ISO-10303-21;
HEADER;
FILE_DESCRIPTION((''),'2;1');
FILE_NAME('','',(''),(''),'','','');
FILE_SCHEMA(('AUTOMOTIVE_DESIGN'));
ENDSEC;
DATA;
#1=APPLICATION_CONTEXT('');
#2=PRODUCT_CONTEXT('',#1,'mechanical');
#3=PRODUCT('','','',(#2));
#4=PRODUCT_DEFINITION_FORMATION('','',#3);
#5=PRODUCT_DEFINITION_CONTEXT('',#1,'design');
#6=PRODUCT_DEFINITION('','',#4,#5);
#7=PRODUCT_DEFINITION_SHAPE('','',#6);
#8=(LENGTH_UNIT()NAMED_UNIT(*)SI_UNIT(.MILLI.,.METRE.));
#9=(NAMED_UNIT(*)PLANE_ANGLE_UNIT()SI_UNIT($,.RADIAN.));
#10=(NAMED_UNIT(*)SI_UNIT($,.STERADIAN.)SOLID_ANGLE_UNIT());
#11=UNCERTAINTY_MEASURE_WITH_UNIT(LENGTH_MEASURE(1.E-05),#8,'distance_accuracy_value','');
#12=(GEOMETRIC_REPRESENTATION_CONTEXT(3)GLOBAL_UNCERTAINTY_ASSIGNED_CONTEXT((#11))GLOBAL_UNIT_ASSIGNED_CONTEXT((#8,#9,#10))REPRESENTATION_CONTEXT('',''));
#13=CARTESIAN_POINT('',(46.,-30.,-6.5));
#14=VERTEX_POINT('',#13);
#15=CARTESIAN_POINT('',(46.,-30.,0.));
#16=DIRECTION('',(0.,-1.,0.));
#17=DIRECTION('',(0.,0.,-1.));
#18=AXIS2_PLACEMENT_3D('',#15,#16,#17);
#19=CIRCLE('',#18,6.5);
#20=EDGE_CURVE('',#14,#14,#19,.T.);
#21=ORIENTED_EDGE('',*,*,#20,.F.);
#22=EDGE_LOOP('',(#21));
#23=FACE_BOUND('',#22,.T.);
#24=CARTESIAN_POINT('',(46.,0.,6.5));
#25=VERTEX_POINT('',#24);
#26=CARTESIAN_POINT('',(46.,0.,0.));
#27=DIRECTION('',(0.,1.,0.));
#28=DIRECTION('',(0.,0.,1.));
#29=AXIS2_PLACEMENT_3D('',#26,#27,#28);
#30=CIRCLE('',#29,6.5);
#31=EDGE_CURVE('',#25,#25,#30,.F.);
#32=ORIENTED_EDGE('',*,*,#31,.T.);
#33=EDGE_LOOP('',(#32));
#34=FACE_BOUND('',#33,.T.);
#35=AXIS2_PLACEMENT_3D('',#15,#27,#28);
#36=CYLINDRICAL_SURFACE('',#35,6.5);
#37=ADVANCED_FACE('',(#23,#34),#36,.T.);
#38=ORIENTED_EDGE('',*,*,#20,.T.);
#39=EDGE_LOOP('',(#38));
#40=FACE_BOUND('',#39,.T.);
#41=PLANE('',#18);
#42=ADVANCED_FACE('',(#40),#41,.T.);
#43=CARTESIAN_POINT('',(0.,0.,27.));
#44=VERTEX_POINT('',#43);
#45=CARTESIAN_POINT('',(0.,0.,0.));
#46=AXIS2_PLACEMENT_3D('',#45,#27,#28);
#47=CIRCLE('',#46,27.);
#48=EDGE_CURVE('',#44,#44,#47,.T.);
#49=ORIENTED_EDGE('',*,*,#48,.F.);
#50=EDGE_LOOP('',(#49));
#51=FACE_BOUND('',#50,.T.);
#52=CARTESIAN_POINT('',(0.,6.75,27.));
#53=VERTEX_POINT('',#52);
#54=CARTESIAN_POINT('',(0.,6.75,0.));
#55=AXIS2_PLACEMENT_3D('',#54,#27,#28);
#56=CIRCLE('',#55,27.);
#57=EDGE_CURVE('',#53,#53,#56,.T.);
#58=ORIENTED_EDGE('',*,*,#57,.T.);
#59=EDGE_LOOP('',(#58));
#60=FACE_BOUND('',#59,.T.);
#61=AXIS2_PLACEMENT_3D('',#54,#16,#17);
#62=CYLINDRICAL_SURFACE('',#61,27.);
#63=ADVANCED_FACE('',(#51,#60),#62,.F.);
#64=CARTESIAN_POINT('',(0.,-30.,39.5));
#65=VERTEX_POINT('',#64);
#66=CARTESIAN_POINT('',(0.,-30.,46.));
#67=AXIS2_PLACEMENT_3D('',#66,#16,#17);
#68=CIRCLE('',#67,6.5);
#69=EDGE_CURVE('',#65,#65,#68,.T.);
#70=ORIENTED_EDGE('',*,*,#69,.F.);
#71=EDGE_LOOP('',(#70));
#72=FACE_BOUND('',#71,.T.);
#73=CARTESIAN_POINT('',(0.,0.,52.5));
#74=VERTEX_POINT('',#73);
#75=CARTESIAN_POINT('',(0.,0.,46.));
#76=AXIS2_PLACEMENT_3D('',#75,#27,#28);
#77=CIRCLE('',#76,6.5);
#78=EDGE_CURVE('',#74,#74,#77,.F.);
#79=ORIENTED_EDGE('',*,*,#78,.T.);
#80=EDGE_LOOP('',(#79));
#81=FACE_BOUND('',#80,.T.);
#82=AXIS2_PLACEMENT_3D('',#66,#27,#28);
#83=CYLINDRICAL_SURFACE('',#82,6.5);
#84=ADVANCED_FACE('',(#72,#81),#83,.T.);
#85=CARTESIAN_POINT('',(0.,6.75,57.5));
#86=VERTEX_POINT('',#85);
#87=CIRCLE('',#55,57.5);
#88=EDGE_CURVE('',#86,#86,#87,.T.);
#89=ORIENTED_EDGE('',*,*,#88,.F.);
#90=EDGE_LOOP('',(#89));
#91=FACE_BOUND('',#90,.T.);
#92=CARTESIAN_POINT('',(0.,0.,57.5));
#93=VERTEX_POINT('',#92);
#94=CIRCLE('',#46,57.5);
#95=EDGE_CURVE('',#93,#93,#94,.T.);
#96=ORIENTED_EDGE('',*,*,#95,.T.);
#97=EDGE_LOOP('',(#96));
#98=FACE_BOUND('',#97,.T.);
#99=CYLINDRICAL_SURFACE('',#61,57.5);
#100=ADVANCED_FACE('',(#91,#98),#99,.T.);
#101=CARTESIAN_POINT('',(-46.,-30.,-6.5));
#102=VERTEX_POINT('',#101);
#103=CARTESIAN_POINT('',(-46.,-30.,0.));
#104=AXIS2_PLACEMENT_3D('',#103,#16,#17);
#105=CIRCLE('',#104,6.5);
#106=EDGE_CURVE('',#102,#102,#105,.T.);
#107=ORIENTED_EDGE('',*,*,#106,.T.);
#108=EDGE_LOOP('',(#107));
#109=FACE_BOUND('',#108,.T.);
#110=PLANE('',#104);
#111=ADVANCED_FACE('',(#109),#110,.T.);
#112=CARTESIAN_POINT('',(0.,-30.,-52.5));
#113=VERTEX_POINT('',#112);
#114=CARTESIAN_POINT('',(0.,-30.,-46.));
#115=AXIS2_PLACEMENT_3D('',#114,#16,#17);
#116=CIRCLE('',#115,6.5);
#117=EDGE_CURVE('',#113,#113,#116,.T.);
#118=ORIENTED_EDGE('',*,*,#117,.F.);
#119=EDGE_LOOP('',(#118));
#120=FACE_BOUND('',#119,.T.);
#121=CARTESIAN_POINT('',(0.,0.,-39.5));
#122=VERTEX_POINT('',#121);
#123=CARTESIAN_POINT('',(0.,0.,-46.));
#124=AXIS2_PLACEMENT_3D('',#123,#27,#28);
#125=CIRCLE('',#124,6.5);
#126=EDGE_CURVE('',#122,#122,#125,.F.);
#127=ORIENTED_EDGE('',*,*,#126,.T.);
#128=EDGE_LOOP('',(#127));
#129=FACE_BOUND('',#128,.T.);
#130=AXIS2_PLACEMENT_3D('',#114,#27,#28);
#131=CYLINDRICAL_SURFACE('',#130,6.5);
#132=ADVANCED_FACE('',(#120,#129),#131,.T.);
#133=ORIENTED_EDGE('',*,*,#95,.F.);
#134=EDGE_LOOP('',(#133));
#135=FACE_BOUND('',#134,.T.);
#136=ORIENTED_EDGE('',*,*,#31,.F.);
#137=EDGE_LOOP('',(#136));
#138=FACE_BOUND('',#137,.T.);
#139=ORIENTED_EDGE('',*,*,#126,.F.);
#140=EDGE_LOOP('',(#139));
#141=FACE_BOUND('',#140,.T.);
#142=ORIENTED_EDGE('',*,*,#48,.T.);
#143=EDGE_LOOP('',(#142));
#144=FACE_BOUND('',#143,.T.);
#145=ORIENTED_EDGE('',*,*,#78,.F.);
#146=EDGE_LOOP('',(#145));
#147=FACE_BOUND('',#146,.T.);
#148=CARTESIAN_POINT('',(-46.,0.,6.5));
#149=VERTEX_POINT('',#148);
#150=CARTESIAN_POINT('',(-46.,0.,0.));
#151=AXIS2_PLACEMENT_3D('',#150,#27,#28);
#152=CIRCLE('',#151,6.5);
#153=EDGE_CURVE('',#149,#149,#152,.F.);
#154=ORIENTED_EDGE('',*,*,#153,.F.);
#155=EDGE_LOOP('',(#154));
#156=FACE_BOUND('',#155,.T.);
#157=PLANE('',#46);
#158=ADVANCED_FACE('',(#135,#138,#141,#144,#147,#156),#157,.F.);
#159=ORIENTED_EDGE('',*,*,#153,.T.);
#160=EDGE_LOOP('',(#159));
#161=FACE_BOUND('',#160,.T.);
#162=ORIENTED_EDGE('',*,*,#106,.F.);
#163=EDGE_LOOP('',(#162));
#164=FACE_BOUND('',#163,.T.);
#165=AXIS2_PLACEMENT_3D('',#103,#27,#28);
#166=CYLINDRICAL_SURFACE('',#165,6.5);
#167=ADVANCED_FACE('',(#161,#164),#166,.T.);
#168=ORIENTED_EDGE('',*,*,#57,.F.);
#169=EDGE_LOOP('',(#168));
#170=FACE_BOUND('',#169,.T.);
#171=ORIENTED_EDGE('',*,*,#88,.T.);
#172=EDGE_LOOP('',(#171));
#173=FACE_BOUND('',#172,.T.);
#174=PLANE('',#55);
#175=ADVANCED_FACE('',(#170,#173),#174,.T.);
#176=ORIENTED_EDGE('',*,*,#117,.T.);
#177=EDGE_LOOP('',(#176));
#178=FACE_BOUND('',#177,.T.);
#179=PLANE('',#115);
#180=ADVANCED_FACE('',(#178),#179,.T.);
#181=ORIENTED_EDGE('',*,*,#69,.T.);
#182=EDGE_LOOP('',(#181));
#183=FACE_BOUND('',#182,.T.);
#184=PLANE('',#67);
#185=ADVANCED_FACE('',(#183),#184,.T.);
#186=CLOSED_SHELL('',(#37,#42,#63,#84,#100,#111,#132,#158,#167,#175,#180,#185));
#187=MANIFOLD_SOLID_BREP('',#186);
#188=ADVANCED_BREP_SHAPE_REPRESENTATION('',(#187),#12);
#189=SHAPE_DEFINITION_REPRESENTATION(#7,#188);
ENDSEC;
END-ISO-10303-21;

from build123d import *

# Parameters (mm, degrees)
SKETCH_1_R      = 57.5
SKETCH_1_R_2    = 27
EXTRUDE_2_DEPTH = 6.75
SKETCH_3_R      = 6.5
EXTRUDE_3_DEPTH = 30


with BuildPart() as part:
    # 草圖1 → 填料-伸長2 (new body)
    with BuildSketch(Plane(origin=(0, 0, 0), x_dir=(1, 0, 0), z_dir=(0, 1, 0))):
        with Locations(Location((0, 0, 0), (0, 0, 270))):
            Circle(SKETCH_1_R)
        with Locations(Location((0, 0, 0), (0, 0, 270))):
            Circle(SKETCH_1_R_2, mode=Mode.SUBTRACT)
    extrude(amount=EXTRUDE_2_DEPTH)

    # 草圖3 → 填料-伸長3 (add)
    with BuildSketch(Plane.XZ):
        with Locations(Location((0, 46, 0), (0, 0, 90))):
            Circle(SKETCH_3_R)
        with Locations(Location((0, -46, 0), (0, 0, 90))):
            Circle(SKETCH_3_R)
        with Locations(Location((-46, 0, 0), (0, 0, 90))):
            Circle(SKETCH_3_R)
        with Locations(Location((46, 0, 0), (0, 0, 90))):
            Circle(SKETCH_3_R)
    extrude(amount=EXTRUDE_3_DEPTH)


solid = part.part
